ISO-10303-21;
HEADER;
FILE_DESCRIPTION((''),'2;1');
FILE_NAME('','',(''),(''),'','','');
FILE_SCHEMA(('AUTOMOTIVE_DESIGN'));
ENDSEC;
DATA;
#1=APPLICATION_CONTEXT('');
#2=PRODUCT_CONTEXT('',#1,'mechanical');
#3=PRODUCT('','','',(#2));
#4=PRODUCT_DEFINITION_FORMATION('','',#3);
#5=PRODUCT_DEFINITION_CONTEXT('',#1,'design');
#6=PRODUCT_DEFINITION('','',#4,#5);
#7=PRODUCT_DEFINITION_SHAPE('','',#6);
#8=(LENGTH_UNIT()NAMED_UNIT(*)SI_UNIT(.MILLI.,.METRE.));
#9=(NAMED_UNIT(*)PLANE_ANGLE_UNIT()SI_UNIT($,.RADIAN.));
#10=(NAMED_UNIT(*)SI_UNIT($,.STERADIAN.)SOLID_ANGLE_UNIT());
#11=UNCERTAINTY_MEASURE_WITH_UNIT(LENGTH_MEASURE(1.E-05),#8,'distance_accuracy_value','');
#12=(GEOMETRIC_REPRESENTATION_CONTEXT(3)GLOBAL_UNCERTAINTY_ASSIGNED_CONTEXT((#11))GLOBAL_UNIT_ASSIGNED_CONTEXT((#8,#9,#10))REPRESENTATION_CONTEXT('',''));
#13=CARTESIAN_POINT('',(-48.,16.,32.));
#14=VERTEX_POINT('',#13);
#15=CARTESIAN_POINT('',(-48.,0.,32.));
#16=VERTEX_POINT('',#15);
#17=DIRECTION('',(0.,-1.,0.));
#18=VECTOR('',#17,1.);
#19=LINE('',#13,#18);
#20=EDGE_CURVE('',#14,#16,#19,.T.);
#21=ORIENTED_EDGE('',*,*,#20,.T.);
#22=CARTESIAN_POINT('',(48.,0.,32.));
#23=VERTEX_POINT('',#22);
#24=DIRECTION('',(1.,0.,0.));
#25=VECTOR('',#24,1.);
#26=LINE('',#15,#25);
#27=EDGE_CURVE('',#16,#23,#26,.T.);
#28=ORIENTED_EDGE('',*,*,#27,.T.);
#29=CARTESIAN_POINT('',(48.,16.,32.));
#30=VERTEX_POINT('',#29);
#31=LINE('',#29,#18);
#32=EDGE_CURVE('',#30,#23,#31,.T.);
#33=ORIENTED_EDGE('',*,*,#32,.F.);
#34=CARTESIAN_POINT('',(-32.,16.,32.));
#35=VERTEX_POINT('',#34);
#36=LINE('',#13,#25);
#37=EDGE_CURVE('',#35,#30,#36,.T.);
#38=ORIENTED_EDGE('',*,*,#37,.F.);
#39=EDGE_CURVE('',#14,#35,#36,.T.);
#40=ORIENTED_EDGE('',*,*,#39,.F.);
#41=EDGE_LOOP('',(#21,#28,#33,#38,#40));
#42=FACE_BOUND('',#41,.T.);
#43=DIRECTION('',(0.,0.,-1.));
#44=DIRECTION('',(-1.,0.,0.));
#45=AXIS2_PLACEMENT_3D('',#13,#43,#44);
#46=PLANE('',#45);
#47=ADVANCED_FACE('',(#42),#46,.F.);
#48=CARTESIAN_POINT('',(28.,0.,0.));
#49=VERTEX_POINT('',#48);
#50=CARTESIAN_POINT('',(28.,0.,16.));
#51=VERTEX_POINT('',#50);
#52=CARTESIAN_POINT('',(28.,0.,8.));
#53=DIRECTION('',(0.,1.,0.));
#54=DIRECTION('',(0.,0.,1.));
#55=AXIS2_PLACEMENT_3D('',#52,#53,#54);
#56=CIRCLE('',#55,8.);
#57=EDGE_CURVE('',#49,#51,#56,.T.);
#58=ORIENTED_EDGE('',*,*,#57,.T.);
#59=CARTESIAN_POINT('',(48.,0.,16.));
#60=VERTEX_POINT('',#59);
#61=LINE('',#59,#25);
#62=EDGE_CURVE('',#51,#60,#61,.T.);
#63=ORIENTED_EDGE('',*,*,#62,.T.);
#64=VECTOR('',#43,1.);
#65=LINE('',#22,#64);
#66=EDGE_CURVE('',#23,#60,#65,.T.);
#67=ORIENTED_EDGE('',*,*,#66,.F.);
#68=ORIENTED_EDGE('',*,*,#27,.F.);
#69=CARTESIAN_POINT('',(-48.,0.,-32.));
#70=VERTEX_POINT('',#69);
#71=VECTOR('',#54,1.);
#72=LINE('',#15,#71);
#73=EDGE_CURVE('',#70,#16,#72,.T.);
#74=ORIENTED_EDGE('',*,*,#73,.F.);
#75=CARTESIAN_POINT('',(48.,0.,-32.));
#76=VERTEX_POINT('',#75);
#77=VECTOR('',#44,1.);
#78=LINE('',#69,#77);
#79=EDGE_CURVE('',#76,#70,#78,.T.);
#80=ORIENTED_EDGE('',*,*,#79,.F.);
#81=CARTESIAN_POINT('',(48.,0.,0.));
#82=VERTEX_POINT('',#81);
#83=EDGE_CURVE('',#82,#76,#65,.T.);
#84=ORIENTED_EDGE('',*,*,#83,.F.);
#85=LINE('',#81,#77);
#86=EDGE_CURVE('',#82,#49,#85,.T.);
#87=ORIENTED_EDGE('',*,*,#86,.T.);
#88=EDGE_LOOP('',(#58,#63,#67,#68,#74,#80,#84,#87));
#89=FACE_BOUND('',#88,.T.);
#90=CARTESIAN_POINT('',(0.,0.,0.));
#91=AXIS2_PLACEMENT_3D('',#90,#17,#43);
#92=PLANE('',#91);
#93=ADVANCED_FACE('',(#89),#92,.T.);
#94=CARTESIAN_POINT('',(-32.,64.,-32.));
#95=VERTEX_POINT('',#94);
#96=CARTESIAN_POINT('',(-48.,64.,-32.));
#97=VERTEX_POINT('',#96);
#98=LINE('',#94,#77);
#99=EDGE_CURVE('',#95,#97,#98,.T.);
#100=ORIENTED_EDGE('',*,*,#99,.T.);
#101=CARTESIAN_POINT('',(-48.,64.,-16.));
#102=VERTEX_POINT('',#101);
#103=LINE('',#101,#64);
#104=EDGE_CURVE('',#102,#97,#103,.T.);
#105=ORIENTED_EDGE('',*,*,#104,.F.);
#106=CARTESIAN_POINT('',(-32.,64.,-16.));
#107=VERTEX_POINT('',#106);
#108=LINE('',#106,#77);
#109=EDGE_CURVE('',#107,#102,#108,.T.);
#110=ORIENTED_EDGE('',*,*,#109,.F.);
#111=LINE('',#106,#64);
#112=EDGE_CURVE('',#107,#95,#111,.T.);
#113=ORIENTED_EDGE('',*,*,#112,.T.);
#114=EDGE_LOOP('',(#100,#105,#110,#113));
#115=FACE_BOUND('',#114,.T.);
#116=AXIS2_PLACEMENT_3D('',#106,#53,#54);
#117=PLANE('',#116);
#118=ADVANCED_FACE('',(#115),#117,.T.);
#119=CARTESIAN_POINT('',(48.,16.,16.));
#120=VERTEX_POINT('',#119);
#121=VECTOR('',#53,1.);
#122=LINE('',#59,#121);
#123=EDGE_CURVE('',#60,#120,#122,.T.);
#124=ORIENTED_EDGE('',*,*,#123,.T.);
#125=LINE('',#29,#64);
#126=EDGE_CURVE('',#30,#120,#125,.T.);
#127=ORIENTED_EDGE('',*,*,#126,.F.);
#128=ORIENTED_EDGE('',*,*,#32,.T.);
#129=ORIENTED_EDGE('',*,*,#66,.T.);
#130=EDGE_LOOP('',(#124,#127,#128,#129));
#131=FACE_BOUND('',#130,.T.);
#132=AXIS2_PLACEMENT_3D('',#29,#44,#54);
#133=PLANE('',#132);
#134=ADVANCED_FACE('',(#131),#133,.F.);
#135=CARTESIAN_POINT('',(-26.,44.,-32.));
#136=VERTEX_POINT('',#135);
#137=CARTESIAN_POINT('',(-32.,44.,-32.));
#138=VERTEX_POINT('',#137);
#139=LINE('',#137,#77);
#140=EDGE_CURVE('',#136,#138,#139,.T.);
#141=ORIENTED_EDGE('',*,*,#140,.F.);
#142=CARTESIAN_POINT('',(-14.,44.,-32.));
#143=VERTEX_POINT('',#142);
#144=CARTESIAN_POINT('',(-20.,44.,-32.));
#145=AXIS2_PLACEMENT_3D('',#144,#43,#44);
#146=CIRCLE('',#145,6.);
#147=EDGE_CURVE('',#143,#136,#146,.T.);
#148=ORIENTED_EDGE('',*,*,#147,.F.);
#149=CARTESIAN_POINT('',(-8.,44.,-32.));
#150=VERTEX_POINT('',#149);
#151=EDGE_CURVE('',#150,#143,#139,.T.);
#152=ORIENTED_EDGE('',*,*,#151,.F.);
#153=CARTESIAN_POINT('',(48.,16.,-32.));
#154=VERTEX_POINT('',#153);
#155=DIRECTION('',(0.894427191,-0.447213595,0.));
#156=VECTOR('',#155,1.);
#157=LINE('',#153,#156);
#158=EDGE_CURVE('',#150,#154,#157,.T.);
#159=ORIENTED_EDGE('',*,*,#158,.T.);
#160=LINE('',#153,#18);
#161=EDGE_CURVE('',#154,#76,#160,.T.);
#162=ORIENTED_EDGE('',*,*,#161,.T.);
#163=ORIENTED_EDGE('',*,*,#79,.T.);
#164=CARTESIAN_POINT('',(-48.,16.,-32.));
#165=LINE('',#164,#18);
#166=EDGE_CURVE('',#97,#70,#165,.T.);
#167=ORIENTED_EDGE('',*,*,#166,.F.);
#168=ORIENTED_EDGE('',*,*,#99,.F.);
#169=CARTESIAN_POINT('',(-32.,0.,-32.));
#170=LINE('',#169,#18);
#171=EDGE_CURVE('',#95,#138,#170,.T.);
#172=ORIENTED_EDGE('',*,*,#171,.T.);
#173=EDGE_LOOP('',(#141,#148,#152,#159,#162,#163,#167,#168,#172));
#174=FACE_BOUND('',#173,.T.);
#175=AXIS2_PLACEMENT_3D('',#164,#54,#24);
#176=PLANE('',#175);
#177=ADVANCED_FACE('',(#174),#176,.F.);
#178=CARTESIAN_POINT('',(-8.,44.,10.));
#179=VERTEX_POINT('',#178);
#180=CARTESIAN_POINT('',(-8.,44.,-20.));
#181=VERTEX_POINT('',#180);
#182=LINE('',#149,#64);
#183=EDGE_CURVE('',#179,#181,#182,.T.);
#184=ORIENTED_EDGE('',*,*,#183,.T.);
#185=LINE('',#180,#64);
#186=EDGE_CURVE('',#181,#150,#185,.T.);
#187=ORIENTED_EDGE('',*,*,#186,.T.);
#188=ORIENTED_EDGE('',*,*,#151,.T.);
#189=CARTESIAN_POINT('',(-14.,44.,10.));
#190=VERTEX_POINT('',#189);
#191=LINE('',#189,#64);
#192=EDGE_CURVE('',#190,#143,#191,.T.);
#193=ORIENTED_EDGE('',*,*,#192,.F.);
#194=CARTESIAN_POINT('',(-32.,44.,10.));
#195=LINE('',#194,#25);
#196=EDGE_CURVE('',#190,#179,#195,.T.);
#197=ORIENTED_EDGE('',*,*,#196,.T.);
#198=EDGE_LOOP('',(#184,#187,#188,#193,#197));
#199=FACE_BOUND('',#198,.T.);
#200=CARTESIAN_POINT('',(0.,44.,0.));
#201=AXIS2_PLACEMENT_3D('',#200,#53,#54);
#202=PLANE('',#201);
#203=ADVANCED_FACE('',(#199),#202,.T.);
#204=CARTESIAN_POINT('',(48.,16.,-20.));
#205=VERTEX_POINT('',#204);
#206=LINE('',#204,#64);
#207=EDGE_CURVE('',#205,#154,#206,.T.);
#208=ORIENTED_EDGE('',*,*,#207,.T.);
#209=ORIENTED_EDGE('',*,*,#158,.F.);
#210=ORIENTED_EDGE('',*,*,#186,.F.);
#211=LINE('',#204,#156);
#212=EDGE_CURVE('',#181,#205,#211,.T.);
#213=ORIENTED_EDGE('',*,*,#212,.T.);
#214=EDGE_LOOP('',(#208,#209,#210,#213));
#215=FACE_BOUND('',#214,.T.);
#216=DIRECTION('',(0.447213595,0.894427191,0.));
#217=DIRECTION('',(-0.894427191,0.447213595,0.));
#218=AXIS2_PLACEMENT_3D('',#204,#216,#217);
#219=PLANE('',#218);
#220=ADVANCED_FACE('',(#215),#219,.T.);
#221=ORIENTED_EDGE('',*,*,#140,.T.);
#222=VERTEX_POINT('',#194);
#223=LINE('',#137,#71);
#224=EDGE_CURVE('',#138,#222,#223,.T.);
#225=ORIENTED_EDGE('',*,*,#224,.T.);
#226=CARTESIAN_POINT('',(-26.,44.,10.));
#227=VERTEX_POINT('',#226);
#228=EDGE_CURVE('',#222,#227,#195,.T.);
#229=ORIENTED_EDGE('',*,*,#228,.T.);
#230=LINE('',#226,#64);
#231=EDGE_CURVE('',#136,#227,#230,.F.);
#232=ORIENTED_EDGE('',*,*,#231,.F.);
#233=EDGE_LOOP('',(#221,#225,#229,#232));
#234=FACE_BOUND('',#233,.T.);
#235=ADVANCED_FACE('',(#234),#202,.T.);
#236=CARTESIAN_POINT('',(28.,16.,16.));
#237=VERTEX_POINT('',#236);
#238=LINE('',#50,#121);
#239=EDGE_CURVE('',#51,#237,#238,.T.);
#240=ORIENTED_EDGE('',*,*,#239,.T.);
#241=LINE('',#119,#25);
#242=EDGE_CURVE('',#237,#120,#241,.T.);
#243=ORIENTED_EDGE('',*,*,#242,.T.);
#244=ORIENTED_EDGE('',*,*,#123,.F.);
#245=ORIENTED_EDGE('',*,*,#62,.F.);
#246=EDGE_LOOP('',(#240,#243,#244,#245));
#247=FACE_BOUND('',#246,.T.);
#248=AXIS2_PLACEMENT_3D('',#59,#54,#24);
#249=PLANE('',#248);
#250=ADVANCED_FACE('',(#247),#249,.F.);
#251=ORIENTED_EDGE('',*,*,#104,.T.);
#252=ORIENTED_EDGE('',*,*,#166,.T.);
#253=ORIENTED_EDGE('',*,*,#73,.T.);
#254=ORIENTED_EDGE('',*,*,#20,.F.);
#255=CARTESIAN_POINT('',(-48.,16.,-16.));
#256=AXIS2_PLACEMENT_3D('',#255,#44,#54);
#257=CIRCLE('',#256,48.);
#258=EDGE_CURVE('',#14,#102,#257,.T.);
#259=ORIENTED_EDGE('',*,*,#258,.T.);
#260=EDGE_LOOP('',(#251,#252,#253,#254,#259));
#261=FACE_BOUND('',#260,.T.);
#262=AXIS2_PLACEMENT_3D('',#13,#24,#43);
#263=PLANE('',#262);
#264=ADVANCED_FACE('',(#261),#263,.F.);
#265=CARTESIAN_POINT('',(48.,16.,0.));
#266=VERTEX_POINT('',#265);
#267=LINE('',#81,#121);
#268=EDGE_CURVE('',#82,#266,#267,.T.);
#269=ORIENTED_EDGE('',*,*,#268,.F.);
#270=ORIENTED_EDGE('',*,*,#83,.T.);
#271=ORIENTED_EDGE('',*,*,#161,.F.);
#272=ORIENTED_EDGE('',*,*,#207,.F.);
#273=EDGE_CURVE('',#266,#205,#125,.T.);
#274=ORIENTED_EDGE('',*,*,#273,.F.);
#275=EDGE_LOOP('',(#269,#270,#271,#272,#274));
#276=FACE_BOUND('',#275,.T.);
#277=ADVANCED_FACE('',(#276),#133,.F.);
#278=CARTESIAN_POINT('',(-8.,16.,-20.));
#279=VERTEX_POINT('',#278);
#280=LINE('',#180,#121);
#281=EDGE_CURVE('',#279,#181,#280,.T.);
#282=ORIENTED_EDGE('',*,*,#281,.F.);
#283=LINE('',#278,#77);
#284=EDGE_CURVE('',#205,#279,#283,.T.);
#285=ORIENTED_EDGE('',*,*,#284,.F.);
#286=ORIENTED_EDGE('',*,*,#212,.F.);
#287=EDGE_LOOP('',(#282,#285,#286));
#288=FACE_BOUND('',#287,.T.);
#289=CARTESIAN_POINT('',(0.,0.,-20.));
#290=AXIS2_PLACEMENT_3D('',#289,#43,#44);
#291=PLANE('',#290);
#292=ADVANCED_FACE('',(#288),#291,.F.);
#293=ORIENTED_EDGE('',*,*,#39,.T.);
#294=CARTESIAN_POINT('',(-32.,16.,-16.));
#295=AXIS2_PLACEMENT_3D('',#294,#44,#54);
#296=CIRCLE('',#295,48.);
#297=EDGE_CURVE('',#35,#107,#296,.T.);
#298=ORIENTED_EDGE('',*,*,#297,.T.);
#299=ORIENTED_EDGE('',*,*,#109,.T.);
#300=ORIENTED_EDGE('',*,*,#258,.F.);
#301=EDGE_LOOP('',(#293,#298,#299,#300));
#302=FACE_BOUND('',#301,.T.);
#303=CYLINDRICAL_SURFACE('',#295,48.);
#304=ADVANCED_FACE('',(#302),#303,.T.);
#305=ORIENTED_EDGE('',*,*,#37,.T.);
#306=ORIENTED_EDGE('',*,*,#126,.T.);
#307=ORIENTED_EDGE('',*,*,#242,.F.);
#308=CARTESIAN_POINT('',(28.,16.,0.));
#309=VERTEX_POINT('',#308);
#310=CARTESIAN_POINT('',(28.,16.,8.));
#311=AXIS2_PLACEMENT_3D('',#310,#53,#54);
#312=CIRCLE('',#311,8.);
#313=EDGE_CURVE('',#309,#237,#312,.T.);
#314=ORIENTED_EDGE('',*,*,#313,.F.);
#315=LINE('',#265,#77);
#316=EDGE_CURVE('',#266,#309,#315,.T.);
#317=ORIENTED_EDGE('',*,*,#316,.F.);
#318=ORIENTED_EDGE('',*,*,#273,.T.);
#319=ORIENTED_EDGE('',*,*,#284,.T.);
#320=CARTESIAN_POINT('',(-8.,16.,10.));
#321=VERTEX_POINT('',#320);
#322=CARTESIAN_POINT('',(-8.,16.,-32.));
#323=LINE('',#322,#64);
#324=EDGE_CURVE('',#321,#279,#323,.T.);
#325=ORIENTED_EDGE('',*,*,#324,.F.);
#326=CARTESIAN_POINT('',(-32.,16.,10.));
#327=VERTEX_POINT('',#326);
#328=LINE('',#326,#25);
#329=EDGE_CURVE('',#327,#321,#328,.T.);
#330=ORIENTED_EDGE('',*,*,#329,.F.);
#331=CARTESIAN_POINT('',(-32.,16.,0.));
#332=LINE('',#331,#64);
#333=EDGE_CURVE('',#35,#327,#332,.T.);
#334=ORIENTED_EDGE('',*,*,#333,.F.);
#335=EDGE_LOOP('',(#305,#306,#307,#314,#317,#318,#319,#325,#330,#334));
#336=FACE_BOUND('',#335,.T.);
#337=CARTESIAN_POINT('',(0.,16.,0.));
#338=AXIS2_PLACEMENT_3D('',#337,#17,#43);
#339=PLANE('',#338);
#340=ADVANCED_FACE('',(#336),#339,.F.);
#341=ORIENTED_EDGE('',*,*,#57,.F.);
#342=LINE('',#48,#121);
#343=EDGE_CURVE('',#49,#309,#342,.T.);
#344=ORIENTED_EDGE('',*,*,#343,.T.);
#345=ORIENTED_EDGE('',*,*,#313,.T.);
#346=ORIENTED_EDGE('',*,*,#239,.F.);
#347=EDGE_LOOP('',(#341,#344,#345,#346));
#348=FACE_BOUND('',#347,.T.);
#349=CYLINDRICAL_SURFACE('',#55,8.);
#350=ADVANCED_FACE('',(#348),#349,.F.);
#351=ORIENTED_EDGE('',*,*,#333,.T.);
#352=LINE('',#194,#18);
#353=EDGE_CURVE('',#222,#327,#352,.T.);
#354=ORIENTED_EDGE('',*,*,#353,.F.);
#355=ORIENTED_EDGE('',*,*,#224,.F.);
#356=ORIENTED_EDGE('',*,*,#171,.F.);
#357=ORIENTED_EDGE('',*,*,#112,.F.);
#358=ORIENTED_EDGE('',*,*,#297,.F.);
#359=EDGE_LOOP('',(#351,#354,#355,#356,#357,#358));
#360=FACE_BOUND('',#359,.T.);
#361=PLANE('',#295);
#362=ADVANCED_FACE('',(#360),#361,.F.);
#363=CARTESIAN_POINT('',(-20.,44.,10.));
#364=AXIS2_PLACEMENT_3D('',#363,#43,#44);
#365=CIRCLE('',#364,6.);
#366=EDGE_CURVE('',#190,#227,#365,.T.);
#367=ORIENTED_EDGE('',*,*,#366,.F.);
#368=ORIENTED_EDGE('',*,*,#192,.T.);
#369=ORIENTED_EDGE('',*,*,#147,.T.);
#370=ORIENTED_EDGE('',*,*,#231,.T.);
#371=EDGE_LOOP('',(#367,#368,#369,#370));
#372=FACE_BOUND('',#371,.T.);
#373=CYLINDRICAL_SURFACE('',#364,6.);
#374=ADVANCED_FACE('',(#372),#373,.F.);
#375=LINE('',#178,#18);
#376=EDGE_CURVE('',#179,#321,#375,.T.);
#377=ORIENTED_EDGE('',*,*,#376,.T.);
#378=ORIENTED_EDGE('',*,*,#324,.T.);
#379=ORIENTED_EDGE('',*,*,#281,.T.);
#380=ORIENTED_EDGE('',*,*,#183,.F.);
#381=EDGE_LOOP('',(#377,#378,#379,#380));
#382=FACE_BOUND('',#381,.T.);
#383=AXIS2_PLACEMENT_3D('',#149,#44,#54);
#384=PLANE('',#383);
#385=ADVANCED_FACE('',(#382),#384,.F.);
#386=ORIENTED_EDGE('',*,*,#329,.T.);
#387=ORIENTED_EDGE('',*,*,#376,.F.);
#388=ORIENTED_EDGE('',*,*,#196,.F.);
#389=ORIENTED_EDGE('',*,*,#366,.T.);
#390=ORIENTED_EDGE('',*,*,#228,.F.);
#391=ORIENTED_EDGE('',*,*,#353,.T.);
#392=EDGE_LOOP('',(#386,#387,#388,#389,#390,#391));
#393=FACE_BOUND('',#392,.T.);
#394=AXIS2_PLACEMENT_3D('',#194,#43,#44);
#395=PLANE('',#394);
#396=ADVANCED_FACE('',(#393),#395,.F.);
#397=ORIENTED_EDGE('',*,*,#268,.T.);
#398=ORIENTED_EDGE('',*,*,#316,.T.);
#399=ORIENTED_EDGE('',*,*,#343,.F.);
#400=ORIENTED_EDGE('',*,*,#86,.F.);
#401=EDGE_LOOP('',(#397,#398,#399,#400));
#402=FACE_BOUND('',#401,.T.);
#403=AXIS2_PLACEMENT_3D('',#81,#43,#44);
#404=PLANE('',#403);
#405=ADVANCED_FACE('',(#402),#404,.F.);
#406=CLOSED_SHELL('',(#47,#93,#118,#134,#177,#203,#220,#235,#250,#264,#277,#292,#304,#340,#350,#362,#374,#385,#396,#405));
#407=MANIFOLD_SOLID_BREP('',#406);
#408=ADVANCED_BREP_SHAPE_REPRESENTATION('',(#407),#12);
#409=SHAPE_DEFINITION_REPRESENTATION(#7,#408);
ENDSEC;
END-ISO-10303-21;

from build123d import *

# Parameters (mm, degrees)
SKETCH2_W           = 96
SKETCH2_H           = 64
BOSS_EXTRUDE1_DEPTH = 16
CUT_EXTRUDE1_DEPTH  = 16
BOSS_EXTRUDE2_DEPTH = 16
SKETCH11_W          = 24
SKETCH11_H          = 42
BOSS_EXTRUDE3_DEPTH = 28
BOSS_EXTRUDE4_DEPTH = 12
CUT_EXTRUDE2_START  = -42
SKETCH16_R          = 6
CUT_EXTRUDE2_DEPTH  = 42


with BuildPart() as part:
    # Sketch2 → Boss-Extrude1 (new body)
    with BuildSketch(Plane(origin=(0, 0, 0), x_dir=(1, 0, 0), z_dir=(0, 1, 0))):
        Rectangle(SKETCH2_W, SKETCH2_H)
    extrude(amount=BOSS_EXTRUDE1_DEPTH)

    # Sketch5 → Cut-Extrude1 (cut)
    with BuildSketch(Plane(origin=(0, 16, 0), x_dir=(1, 0, 0), z_dir=(0, 1, 0))):
        with BuildLine():
            Line((48, -16), (28, -16))
            ThreePointArc((28, -16), (20, -8), (28, 0))
            Line((28, 0), (48, 0))
            ThreePointArc((48, 0), (56, -8), (48, -16))
        make_face()
    extrude(amount=-CUT_EXTRUDE1_DEPTH, mode=Mode.SUBTRACT)

    # Sketch10 → Boss-Extrude2 (add)
    with BuildSketch(Plane.ZY.offset(48)):
        with BuildLine():
            Line((32, 0), (-32, 0))
            Line((-32, 0), (-32, 64))
            Line((-32, 64), (-16, 64))
            ThreePointArc((-16, 64), (17.941125497, 49.941125497), (32, 16))
            Line((32, 16), (32, 0))
        make_face()
    extrude(amount=-BOSS_EXTRUDE2_DEPTH)

    # Sketch11 → Boss-Extrude3 (add)
    with BuildSketch(Plane(origin=(0, 16, 0), x_dir=(1, 0, 0), z_dir=(0, 1, 0))):
        with Locations((-20, 11)):
            Rectangle(SKETCH11_W, SKETCH11_H)
    extrude(amount=BOSS_EXTRUDE3_DEPTH)

    # Sketch15 → Boss-Extrude4 (add)
    with BuildSketch(Plane(origin=(0, 0, -32), x_dir=(-1, 0, 0), z_dir=(0, 0, -1))):
        Polygon((-48, 16), (8, 44), (8, 16), align=None)
    extrude(amount=-BOSS_EXTRUDE4_DEPTH)

    # Sketch16 → Cut-Extrude2 (cut)
    with BuildSketch(Plane(origin=(0, 0, -32), x_dir=(-1, 0, 0), z_dir=(0, 0, -1)).offset(CUT_EXTRUDE2_START)):
        with Locations((20, 44)):
            Circle(SKETCH16_R)
    extrude(amount=CUT_EXTRUDE2_DEPTH, mode=Mode.SUBTRACT)


solid = part.part
